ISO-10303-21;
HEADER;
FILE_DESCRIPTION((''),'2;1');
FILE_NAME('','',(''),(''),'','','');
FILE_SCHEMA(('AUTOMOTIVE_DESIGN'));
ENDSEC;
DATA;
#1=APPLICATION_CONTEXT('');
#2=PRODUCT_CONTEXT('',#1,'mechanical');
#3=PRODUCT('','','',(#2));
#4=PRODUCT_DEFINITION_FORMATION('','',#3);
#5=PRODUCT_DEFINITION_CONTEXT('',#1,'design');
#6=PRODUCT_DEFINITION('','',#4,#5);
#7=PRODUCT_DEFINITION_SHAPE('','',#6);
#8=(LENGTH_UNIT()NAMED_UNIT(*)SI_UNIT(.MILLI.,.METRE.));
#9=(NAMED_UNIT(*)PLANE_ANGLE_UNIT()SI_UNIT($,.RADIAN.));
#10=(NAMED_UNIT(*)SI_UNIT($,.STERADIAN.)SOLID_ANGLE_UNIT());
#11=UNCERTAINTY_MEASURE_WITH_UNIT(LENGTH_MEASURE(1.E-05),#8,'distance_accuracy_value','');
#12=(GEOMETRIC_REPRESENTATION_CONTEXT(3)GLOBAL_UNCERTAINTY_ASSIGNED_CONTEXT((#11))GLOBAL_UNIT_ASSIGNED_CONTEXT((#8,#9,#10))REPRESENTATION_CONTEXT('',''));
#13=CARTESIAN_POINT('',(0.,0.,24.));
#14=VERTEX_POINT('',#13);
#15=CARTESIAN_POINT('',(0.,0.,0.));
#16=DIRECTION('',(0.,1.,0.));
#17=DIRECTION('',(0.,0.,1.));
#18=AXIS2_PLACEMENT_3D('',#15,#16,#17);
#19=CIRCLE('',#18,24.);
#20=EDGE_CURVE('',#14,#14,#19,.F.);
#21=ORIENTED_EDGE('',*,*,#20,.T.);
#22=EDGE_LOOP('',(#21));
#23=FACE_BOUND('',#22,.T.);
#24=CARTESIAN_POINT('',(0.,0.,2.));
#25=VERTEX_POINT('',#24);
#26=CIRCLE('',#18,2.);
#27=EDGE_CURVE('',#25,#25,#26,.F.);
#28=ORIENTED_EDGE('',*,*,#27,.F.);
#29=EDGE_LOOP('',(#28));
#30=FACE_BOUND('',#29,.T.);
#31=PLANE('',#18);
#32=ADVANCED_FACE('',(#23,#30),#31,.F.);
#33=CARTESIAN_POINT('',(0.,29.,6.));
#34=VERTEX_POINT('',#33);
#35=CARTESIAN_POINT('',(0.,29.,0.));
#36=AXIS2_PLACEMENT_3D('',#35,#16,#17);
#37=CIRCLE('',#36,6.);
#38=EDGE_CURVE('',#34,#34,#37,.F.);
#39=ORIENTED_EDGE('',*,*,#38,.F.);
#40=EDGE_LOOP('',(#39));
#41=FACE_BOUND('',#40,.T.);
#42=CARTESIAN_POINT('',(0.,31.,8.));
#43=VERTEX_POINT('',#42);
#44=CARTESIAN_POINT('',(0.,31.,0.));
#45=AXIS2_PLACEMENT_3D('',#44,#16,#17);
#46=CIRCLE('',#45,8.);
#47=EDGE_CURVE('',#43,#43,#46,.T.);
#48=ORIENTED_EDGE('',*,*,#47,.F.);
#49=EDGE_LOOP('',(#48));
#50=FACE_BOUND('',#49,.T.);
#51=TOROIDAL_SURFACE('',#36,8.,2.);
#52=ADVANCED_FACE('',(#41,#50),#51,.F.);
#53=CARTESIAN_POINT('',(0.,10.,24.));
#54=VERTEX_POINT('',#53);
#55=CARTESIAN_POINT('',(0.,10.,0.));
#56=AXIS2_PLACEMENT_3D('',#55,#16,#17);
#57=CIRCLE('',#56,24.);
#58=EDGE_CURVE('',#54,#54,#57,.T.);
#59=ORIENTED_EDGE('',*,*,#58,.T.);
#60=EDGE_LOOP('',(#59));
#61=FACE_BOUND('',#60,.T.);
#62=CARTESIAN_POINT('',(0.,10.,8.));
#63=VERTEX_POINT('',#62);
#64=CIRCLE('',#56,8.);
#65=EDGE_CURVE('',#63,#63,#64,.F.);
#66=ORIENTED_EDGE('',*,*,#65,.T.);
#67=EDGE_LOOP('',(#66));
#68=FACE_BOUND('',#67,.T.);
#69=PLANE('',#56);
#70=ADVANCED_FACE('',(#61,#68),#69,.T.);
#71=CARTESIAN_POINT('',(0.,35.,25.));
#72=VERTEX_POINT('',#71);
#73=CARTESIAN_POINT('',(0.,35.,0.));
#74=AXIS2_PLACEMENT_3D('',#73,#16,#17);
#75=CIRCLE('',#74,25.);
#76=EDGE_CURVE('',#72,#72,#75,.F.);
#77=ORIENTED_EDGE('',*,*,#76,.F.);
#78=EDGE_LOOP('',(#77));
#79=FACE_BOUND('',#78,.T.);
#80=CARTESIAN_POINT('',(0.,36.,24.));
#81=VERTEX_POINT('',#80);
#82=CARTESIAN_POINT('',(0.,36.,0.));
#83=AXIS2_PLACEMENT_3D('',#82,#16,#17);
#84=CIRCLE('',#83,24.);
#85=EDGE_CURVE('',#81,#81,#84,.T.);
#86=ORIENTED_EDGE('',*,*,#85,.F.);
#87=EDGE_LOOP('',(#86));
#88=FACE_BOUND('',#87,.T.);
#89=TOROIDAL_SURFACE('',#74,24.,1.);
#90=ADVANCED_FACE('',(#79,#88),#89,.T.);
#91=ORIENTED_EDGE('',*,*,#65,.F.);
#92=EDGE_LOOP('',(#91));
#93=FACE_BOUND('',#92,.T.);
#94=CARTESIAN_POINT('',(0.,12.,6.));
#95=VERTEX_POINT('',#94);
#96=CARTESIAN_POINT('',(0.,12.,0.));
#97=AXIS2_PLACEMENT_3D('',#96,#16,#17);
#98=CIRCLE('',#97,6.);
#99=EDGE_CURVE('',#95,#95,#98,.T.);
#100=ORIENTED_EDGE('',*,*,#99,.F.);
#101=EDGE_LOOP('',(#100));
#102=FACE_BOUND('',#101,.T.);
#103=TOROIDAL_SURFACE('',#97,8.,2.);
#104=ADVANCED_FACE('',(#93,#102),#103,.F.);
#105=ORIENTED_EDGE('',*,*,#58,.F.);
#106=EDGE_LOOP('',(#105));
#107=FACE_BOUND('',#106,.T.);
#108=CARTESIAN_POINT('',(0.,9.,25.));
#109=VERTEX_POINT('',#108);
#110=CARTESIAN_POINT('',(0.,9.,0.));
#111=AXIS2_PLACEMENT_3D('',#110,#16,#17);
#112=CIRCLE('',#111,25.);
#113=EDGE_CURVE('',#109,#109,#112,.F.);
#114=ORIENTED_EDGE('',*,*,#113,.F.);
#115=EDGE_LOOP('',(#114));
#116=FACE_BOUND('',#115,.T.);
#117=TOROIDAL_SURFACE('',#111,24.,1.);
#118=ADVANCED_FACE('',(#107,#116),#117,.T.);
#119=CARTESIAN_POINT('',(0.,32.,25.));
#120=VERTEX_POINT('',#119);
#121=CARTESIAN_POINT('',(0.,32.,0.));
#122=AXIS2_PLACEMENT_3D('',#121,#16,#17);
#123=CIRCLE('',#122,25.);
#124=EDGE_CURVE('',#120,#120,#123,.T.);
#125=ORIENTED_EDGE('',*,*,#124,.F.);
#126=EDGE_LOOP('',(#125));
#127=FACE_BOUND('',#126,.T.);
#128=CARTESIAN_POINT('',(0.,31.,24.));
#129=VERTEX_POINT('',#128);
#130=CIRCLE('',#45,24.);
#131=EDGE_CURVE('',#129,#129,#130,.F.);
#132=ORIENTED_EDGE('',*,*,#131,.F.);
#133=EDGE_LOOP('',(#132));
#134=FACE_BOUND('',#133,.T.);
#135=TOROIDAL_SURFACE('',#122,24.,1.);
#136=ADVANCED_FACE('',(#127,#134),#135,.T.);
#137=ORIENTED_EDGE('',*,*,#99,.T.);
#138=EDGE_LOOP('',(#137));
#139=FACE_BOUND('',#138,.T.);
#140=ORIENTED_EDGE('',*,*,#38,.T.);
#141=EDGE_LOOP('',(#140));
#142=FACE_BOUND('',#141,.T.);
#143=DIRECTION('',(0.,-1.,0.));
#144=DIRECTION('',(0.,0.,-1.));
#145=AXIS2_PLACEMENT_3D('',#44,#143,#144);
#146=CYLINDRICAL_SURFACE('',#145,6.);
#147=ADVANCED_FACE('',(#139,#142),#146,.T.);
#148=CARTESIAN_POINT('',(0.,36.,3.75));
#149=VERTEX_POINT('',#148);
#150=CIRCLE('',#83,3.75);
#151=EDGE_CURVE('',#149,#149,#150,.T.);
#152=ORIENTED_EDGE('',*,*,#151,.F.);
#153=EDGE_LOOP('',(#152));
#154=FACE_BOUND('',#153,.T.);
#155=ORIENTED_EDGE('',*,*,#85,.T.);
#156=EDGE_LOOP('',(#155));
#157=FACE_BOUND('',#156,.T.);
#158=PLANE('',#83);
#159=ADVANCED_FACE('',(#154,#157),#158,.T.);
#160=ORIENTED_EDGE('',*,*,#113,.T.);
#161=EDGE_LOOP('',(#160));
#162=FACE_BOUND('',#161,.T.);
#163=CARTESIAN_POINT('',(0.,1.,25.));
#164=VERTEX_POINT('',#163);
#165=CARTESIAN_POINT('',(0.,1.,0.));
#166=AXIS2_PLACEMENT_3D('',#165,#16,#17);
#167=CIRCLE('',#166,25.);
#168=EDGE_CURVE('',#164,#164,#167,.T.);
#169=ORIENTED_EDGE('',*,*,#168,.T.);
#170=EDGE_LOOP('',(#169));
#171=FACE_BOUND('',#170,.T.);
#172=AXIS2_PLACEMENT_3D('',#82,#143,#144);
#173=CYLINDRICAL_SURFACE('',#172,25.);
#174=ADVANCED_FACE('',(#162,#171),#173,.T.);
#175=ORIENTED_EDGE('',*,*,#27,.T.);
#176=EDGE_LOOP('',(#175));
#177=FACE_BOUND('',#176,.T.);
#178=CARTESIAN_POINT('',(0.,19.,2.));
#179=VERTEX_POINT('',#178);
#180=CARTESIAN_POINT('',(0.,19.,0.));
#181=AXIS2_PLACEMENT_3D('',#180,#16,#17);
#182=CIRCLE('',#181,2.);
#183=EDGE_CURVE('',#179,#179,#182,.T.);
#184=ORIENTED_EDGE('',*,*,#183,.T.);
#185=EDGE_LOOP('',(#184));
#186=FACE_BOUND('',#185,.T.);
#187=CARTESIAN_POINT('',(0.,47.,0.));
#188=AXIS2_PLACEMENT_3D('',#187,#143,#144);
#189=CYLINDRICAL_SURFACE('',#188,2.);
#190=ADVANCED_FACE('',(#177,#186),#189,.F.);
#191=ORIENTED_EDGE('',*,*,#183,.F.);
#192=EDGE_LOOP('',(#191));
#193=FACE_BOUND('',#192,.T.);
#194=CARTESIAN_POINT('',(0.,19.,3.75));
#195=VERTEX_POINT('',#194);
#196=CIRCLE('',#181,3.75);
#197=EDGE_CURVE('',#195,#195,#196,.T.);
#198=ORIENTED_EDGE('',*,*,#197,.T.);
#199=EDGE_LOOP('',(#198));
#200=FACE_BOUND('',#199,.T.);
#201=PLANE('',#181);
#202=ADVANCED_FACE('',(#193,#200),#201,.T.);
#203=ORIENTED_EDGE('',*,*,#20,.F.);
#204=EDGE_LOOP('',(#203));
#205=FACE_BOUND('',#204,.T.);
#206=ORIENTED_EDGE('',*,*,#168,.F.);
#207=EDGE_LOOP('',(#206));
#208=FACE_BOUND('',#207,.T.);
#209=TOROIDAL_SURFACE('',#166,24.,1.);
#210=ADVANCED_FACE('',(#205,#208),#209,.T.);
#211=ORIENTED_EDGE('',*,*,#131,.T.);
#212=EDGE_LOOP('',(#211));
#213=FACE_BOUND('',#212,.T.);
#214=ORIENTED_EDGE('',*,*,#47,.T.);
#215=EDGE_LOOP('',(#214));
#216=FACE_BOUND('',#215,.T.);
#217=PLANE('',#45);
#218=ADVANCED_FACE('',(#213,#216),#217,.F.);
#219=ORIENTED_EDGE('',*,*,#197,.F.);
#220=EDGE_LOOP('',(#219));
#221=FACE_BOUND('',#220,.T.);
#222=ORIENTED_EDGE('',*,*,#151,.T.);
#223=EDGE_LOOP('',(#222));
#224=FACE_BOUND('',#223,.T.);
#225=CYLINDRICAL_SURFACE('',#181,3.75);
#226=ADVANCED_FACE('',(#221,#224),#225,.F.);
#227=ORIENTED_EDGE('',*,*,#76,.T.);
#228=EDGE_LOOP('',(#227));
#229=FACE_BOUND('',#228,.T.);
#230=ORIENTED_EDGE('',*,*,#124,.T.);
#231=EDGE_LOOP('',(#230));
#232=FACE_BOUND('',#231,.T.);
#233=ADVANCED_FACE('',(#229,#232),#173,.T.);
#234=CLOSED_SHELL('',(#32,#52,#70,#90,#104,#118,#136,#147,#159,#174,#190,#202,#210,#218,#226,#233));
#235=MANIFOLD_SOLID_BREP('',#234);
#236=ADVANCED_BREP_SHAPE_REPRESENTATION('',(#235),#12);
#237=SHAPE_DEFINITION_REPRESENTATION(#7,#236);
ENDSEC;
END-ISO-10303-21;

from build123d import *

# Parameters (mm, degrees)
SKETCH_1_R               = 25
EXTRUDE_1_DEPTH          = 36
CUT_EXTRUDE_START        = 10
SKETCH_2_R               = 25
SKETCH_2_R_2             = 6
CUT_EXTRUDE_1_DEPTH      = 21
SKETCH_4_R               = 2
CUT_EXTRUDE_3_DEPTH      = 47
CUT_EXTRUDE_3_DEPTH_BACK = 47
SKETCH_3_R               = 3.75
CUT_EXTRUDE_7_DEPTH      = 17
FILLET_1_R               = 1
FILLET_2_R               = 2


with BuildPart() as part:
    # 草图1 → 凸台-拉伸1 (new body)
    with BuildSketch(Plane(origin=(0, 0, 0), x_dir=(1, 0, 0), z_dir=(0, 1, 0))):
        Circle(SKETCH_1_R)
    extrude(amount=EXTRUDE_1_DEPTH)

    # 草图2 → 切除-拉伸1 (cut)
    with BuildSketch(Plane(origin=(0, 0, 0), x_dir=(1, 0, 0), z_dir=(0, 1, 0)).offset(CUT_EXTRUDE_START)):
        Circle(SKETCH_2_R)
        Circle(SKETCH_2_R_2, mode=Mode.SUBTRACT)
    extrude(amount=CUT_EXTRUDE_1_DEPTH, mode=Mode.SUBTRACT)

    # 草图4 → 切除-拉伸3 (cut, two sides)
    with BuildSketch(Plane(origin=(0, 0, 0), x_dir=(1, 0, 0), z_dir=(0, 1, 0))) as cut_extrude_3_sk:
        Circle(SKETCH_4_R)
    extrude(amount=CUT_EXTRUDE_3_DEPTH, mode=Mode.SUBTRACT)
    extrude(cut_extrude_3_sk.sketch, amount=-CUT_EXTRUDE_3_DEPTH_BACK, mode=Mode.SUBTRACT)

    # 草图3 → 切除-拉伸7 (cut)
    with BuildSketch(Plane(origin=(0, 36, 0), x_dir=(1, 0, 0), z_dir=(0, 1, 0))):
        Circle(SKETCH_3_R)
    extrude(amount=-CUT_EXTRUDE_7_DEPTH, mode=Mode.SUBTRACT)

    # 圆角1
    fillet_1_edges = [part.edges().sort_by_distance(p)[0] for p in [
        (-25, 0, 0),
        (-25, 36, 0),
        (-25, 10, 0),
        (-25, 31, 0),
    ]]
    fillet(fillet_1_edges, radius=FILLET_1_R)

    # 圆角2
    fillet_2_edges = [part.edges().sort_by_distance(p)[0] for p in [
        (-6, 31, 0),
        (-6, 10, 0),
    ]]
    fillet(fillet_2_edges, radius=FILLET_2_R)


solid = part.part
